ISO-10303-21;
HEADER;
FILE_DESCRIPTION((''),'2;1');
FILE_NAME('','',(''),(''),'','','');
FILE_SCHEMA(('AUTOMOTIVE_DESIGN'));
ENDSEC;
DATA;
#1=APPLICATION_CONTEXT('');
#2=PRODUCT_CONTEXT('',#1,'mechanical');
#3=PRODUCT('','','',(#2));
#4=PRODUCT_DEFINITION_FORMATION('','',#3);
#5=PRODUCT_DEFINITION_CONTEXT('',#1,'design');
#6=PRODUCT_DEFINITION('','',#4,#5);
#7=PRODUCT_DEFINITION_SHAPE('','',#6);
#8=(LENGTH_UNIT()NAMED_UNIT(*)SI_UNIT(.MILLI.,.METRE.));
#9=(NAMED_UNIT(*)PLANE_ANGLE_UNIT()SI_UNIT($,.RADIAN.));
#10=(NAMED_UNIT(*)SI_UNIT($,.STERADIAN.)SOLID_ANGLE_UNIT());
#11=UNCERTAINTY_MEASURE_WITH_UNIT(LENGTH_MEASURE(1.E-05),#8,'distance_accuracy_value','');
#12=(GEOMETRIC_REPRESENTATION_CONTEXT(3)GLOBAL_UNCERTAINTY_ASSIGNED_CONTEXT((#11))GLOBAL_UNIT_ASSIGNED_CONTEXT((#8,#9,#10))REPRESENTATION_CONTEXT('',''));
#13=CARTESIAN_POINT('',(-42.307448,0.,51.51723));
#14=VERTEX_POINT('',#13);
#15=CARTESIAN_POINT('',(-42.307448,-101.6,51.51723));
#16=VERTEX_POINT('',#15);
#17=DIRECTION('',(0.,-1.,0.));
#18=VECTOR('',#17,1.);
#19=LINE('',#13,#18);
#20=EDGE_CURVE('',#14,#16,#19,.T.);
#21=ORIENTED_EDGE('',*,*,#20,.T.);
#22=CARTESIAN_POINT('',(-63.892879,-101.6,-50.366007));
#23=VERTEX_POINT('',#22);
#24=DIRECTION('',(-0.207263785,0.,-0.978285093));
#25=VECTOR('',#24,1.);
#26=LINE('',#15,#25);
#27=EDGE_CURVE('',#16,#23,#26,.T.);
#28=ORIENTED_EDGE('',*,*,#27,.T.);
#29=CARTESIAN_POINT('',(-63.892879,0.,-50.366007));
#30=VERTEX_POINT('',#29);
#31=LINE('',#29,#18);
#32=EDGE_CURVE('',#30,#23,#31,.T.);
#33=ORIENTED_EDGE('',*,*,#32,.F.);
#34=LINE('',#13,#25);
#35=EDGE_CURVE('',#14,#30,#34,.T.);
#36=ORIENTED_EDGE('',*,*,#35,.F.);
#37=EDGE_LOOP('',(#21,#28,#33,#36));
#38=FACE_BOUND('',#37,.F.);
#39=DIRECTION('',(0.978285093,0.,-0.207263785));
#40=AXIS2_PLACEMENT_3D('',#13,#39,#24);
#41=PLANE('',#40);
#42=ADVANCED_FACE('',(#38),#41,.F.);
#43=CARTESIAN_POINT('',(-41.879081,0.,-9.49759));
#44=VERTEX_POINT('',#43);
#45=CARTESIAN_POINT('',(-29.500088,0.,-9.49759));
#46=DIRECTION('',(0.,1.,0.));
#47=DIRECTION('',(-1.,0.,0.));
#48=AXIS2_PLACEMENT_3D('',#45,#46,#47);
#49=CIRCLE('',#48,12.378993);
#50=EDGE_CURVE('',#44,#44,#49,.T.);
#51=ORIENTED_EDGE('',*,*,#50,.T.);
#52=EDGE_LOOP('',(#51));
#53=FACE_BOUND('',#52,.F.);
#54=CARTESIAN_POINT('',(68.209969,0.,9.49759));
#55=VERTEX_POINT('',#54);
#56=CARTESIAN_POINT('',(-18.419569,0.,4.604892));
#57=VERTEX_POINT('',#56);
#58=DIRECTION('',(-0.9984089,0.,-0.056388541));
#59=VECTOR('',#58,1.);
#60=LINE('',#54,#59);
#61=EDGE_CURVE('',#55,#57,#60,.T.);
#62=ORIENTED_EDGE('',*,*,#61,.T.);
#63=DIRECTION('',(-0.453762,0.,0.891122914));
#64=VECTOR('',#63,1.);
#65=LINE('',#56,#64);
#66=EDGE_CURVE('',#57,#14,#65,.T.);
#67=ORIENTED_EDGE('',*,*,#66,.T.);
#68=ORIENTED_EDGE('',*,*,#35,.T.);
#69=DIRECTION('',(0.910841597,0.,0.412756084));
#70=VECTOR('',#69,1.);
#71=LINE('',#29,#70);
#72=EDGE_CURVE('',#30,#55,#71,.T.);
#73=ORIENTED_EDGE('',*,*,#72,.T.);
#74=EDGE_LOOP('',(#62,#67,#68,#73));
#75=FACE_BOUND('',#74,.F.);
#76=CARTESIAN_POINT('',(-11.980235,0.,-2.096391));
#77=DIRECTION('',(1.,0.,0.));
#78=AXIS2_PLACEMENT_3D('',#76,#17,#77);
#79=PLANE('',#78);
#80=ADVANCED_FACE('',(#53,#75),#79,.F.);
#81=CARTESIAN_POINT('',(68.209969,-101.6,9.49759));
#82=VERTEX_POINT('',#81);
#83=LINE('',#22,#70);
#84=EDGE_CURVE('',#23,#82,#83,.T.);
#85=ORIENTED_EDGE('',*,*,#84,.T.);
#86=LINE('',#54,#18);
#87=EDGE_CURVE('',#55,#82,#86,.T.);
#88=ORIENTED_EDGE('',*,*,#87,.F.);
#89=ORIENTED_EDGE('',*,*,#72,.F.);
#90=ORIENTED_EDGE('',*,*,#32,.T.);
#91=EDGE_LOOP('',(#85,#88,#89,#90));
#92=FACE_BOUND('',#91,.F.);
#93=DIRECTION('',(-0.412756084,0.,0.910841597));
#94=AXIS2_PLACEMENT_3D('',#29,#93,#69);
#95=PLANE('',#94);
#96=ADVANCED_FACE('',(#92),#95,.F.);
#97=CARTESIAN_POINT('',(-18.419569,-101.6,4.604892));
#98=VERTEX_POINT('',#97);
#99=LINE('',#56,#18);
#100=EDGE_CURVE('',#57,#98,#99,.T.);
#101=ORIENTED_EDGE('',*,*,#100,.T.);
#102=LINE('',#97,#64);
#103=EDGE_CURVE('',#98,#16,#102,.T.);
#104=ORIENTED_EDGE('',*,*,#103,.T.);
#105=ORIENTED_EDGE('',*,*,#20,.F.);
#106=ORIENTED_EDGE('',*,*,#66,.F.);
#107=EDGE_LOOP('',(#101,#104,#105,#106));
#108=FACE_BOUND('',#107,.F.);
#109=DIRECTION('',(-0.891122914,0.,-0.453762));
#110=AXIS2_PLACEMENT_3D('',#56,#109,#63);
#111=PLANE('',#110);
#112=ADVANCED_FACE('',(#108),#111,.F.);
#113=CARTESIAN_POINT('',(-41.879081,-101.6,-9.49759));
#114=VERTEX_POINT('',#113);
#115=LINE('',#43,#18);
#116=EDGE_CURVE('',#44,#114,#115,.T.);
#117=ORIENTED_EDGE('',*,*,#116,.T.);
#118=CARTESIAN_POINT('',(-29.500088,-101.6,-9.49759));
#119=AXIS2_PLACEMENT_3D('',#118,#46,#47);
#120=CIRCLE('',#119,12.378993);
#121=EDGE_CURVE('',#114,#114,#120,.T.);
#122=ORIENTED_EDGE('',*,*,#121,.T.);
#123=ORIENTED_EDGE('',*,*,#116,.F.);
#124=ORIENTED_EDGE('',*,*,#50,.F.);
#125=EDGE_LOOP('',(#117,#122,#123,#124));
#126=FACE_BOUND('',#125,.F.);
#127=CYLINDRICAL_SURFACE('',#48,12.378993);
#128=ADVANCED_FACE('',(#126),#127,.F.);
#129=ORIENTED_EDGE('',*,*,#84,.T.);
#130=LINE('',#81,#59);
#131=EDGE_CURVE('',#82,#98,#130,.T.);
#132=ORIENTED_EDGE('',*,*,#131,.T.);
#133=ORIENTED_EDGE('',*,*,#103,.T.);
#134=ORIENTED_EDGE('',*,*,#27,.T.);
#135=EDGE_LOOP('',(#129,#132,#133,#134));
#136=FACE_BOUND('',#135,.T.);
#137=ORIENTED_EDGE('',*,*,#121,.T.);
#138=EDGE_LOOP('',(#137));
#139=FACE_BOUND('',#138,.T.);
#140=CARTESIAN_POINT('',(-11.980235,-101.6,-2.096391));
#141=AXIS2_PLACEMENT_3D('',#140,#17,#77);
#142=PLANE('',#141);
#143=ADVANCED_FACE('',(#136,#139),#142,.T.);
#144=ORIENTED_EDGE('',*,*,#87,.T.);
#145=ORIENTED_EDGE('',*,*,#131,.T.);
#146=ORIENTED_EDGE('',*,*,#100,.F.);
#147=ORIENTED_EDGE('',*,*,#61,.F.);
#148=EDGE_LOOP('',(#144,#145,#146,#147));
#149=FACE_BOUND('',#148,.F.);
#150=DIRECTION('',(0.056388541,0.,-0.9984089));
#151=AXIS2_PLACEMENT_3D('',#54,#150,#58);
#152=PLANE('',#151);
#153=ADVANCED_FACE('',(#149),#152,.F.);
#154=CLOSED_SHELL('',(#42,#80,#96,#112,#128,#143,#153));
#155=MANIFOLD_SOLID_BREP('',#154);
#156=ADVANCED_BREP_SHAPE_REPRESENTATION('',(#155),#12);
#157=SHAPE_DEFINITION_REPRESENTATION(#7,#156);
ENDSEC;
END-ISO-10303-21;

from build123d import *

# Parameters (mm, degrees)
F1_DEPTH = 101.6
F2_R     = 11.747271
F3_DEPTH = 101.6
F4_R     = 12.378993
F5_DEPTH = 101.6


with BuildPart() as f1:
    # F0 (on Front) → F1 (new body)
    with BuildSketch(Plane.XZ):
        Polygon((-18.419569, 4.604892), (-42.307448, 51.51723), (-63.892879, -50.366007), (68.209969, 9.49759), align=None)
    extrude(amount=F1_DEPTH)

    # F2 (on face) → F3 (join)
    with BuildSketch(Plane(origin=(0, 0, 0), x_dir=(-1, 0, 0), z_dir=(0, 1, 0))):
        with Locations((29.212283, -10.073202)):
            Circle(F2_R)
    extrude(amount=-F3_DEPTH)

    # F4 (on face) → F5 (cut)
    with BuildSketch(Plane(origin=(0, 0, 0), x_dir=(-1, 0, 0), z_dir=(0, 1, 0))):
        with Locations((29.500088, -9.49759)):
            Circle(F4_R)
    extrude(amount=-F5_DEPTH, mode=Mode.SUBTRACT)


solid = f1.part
